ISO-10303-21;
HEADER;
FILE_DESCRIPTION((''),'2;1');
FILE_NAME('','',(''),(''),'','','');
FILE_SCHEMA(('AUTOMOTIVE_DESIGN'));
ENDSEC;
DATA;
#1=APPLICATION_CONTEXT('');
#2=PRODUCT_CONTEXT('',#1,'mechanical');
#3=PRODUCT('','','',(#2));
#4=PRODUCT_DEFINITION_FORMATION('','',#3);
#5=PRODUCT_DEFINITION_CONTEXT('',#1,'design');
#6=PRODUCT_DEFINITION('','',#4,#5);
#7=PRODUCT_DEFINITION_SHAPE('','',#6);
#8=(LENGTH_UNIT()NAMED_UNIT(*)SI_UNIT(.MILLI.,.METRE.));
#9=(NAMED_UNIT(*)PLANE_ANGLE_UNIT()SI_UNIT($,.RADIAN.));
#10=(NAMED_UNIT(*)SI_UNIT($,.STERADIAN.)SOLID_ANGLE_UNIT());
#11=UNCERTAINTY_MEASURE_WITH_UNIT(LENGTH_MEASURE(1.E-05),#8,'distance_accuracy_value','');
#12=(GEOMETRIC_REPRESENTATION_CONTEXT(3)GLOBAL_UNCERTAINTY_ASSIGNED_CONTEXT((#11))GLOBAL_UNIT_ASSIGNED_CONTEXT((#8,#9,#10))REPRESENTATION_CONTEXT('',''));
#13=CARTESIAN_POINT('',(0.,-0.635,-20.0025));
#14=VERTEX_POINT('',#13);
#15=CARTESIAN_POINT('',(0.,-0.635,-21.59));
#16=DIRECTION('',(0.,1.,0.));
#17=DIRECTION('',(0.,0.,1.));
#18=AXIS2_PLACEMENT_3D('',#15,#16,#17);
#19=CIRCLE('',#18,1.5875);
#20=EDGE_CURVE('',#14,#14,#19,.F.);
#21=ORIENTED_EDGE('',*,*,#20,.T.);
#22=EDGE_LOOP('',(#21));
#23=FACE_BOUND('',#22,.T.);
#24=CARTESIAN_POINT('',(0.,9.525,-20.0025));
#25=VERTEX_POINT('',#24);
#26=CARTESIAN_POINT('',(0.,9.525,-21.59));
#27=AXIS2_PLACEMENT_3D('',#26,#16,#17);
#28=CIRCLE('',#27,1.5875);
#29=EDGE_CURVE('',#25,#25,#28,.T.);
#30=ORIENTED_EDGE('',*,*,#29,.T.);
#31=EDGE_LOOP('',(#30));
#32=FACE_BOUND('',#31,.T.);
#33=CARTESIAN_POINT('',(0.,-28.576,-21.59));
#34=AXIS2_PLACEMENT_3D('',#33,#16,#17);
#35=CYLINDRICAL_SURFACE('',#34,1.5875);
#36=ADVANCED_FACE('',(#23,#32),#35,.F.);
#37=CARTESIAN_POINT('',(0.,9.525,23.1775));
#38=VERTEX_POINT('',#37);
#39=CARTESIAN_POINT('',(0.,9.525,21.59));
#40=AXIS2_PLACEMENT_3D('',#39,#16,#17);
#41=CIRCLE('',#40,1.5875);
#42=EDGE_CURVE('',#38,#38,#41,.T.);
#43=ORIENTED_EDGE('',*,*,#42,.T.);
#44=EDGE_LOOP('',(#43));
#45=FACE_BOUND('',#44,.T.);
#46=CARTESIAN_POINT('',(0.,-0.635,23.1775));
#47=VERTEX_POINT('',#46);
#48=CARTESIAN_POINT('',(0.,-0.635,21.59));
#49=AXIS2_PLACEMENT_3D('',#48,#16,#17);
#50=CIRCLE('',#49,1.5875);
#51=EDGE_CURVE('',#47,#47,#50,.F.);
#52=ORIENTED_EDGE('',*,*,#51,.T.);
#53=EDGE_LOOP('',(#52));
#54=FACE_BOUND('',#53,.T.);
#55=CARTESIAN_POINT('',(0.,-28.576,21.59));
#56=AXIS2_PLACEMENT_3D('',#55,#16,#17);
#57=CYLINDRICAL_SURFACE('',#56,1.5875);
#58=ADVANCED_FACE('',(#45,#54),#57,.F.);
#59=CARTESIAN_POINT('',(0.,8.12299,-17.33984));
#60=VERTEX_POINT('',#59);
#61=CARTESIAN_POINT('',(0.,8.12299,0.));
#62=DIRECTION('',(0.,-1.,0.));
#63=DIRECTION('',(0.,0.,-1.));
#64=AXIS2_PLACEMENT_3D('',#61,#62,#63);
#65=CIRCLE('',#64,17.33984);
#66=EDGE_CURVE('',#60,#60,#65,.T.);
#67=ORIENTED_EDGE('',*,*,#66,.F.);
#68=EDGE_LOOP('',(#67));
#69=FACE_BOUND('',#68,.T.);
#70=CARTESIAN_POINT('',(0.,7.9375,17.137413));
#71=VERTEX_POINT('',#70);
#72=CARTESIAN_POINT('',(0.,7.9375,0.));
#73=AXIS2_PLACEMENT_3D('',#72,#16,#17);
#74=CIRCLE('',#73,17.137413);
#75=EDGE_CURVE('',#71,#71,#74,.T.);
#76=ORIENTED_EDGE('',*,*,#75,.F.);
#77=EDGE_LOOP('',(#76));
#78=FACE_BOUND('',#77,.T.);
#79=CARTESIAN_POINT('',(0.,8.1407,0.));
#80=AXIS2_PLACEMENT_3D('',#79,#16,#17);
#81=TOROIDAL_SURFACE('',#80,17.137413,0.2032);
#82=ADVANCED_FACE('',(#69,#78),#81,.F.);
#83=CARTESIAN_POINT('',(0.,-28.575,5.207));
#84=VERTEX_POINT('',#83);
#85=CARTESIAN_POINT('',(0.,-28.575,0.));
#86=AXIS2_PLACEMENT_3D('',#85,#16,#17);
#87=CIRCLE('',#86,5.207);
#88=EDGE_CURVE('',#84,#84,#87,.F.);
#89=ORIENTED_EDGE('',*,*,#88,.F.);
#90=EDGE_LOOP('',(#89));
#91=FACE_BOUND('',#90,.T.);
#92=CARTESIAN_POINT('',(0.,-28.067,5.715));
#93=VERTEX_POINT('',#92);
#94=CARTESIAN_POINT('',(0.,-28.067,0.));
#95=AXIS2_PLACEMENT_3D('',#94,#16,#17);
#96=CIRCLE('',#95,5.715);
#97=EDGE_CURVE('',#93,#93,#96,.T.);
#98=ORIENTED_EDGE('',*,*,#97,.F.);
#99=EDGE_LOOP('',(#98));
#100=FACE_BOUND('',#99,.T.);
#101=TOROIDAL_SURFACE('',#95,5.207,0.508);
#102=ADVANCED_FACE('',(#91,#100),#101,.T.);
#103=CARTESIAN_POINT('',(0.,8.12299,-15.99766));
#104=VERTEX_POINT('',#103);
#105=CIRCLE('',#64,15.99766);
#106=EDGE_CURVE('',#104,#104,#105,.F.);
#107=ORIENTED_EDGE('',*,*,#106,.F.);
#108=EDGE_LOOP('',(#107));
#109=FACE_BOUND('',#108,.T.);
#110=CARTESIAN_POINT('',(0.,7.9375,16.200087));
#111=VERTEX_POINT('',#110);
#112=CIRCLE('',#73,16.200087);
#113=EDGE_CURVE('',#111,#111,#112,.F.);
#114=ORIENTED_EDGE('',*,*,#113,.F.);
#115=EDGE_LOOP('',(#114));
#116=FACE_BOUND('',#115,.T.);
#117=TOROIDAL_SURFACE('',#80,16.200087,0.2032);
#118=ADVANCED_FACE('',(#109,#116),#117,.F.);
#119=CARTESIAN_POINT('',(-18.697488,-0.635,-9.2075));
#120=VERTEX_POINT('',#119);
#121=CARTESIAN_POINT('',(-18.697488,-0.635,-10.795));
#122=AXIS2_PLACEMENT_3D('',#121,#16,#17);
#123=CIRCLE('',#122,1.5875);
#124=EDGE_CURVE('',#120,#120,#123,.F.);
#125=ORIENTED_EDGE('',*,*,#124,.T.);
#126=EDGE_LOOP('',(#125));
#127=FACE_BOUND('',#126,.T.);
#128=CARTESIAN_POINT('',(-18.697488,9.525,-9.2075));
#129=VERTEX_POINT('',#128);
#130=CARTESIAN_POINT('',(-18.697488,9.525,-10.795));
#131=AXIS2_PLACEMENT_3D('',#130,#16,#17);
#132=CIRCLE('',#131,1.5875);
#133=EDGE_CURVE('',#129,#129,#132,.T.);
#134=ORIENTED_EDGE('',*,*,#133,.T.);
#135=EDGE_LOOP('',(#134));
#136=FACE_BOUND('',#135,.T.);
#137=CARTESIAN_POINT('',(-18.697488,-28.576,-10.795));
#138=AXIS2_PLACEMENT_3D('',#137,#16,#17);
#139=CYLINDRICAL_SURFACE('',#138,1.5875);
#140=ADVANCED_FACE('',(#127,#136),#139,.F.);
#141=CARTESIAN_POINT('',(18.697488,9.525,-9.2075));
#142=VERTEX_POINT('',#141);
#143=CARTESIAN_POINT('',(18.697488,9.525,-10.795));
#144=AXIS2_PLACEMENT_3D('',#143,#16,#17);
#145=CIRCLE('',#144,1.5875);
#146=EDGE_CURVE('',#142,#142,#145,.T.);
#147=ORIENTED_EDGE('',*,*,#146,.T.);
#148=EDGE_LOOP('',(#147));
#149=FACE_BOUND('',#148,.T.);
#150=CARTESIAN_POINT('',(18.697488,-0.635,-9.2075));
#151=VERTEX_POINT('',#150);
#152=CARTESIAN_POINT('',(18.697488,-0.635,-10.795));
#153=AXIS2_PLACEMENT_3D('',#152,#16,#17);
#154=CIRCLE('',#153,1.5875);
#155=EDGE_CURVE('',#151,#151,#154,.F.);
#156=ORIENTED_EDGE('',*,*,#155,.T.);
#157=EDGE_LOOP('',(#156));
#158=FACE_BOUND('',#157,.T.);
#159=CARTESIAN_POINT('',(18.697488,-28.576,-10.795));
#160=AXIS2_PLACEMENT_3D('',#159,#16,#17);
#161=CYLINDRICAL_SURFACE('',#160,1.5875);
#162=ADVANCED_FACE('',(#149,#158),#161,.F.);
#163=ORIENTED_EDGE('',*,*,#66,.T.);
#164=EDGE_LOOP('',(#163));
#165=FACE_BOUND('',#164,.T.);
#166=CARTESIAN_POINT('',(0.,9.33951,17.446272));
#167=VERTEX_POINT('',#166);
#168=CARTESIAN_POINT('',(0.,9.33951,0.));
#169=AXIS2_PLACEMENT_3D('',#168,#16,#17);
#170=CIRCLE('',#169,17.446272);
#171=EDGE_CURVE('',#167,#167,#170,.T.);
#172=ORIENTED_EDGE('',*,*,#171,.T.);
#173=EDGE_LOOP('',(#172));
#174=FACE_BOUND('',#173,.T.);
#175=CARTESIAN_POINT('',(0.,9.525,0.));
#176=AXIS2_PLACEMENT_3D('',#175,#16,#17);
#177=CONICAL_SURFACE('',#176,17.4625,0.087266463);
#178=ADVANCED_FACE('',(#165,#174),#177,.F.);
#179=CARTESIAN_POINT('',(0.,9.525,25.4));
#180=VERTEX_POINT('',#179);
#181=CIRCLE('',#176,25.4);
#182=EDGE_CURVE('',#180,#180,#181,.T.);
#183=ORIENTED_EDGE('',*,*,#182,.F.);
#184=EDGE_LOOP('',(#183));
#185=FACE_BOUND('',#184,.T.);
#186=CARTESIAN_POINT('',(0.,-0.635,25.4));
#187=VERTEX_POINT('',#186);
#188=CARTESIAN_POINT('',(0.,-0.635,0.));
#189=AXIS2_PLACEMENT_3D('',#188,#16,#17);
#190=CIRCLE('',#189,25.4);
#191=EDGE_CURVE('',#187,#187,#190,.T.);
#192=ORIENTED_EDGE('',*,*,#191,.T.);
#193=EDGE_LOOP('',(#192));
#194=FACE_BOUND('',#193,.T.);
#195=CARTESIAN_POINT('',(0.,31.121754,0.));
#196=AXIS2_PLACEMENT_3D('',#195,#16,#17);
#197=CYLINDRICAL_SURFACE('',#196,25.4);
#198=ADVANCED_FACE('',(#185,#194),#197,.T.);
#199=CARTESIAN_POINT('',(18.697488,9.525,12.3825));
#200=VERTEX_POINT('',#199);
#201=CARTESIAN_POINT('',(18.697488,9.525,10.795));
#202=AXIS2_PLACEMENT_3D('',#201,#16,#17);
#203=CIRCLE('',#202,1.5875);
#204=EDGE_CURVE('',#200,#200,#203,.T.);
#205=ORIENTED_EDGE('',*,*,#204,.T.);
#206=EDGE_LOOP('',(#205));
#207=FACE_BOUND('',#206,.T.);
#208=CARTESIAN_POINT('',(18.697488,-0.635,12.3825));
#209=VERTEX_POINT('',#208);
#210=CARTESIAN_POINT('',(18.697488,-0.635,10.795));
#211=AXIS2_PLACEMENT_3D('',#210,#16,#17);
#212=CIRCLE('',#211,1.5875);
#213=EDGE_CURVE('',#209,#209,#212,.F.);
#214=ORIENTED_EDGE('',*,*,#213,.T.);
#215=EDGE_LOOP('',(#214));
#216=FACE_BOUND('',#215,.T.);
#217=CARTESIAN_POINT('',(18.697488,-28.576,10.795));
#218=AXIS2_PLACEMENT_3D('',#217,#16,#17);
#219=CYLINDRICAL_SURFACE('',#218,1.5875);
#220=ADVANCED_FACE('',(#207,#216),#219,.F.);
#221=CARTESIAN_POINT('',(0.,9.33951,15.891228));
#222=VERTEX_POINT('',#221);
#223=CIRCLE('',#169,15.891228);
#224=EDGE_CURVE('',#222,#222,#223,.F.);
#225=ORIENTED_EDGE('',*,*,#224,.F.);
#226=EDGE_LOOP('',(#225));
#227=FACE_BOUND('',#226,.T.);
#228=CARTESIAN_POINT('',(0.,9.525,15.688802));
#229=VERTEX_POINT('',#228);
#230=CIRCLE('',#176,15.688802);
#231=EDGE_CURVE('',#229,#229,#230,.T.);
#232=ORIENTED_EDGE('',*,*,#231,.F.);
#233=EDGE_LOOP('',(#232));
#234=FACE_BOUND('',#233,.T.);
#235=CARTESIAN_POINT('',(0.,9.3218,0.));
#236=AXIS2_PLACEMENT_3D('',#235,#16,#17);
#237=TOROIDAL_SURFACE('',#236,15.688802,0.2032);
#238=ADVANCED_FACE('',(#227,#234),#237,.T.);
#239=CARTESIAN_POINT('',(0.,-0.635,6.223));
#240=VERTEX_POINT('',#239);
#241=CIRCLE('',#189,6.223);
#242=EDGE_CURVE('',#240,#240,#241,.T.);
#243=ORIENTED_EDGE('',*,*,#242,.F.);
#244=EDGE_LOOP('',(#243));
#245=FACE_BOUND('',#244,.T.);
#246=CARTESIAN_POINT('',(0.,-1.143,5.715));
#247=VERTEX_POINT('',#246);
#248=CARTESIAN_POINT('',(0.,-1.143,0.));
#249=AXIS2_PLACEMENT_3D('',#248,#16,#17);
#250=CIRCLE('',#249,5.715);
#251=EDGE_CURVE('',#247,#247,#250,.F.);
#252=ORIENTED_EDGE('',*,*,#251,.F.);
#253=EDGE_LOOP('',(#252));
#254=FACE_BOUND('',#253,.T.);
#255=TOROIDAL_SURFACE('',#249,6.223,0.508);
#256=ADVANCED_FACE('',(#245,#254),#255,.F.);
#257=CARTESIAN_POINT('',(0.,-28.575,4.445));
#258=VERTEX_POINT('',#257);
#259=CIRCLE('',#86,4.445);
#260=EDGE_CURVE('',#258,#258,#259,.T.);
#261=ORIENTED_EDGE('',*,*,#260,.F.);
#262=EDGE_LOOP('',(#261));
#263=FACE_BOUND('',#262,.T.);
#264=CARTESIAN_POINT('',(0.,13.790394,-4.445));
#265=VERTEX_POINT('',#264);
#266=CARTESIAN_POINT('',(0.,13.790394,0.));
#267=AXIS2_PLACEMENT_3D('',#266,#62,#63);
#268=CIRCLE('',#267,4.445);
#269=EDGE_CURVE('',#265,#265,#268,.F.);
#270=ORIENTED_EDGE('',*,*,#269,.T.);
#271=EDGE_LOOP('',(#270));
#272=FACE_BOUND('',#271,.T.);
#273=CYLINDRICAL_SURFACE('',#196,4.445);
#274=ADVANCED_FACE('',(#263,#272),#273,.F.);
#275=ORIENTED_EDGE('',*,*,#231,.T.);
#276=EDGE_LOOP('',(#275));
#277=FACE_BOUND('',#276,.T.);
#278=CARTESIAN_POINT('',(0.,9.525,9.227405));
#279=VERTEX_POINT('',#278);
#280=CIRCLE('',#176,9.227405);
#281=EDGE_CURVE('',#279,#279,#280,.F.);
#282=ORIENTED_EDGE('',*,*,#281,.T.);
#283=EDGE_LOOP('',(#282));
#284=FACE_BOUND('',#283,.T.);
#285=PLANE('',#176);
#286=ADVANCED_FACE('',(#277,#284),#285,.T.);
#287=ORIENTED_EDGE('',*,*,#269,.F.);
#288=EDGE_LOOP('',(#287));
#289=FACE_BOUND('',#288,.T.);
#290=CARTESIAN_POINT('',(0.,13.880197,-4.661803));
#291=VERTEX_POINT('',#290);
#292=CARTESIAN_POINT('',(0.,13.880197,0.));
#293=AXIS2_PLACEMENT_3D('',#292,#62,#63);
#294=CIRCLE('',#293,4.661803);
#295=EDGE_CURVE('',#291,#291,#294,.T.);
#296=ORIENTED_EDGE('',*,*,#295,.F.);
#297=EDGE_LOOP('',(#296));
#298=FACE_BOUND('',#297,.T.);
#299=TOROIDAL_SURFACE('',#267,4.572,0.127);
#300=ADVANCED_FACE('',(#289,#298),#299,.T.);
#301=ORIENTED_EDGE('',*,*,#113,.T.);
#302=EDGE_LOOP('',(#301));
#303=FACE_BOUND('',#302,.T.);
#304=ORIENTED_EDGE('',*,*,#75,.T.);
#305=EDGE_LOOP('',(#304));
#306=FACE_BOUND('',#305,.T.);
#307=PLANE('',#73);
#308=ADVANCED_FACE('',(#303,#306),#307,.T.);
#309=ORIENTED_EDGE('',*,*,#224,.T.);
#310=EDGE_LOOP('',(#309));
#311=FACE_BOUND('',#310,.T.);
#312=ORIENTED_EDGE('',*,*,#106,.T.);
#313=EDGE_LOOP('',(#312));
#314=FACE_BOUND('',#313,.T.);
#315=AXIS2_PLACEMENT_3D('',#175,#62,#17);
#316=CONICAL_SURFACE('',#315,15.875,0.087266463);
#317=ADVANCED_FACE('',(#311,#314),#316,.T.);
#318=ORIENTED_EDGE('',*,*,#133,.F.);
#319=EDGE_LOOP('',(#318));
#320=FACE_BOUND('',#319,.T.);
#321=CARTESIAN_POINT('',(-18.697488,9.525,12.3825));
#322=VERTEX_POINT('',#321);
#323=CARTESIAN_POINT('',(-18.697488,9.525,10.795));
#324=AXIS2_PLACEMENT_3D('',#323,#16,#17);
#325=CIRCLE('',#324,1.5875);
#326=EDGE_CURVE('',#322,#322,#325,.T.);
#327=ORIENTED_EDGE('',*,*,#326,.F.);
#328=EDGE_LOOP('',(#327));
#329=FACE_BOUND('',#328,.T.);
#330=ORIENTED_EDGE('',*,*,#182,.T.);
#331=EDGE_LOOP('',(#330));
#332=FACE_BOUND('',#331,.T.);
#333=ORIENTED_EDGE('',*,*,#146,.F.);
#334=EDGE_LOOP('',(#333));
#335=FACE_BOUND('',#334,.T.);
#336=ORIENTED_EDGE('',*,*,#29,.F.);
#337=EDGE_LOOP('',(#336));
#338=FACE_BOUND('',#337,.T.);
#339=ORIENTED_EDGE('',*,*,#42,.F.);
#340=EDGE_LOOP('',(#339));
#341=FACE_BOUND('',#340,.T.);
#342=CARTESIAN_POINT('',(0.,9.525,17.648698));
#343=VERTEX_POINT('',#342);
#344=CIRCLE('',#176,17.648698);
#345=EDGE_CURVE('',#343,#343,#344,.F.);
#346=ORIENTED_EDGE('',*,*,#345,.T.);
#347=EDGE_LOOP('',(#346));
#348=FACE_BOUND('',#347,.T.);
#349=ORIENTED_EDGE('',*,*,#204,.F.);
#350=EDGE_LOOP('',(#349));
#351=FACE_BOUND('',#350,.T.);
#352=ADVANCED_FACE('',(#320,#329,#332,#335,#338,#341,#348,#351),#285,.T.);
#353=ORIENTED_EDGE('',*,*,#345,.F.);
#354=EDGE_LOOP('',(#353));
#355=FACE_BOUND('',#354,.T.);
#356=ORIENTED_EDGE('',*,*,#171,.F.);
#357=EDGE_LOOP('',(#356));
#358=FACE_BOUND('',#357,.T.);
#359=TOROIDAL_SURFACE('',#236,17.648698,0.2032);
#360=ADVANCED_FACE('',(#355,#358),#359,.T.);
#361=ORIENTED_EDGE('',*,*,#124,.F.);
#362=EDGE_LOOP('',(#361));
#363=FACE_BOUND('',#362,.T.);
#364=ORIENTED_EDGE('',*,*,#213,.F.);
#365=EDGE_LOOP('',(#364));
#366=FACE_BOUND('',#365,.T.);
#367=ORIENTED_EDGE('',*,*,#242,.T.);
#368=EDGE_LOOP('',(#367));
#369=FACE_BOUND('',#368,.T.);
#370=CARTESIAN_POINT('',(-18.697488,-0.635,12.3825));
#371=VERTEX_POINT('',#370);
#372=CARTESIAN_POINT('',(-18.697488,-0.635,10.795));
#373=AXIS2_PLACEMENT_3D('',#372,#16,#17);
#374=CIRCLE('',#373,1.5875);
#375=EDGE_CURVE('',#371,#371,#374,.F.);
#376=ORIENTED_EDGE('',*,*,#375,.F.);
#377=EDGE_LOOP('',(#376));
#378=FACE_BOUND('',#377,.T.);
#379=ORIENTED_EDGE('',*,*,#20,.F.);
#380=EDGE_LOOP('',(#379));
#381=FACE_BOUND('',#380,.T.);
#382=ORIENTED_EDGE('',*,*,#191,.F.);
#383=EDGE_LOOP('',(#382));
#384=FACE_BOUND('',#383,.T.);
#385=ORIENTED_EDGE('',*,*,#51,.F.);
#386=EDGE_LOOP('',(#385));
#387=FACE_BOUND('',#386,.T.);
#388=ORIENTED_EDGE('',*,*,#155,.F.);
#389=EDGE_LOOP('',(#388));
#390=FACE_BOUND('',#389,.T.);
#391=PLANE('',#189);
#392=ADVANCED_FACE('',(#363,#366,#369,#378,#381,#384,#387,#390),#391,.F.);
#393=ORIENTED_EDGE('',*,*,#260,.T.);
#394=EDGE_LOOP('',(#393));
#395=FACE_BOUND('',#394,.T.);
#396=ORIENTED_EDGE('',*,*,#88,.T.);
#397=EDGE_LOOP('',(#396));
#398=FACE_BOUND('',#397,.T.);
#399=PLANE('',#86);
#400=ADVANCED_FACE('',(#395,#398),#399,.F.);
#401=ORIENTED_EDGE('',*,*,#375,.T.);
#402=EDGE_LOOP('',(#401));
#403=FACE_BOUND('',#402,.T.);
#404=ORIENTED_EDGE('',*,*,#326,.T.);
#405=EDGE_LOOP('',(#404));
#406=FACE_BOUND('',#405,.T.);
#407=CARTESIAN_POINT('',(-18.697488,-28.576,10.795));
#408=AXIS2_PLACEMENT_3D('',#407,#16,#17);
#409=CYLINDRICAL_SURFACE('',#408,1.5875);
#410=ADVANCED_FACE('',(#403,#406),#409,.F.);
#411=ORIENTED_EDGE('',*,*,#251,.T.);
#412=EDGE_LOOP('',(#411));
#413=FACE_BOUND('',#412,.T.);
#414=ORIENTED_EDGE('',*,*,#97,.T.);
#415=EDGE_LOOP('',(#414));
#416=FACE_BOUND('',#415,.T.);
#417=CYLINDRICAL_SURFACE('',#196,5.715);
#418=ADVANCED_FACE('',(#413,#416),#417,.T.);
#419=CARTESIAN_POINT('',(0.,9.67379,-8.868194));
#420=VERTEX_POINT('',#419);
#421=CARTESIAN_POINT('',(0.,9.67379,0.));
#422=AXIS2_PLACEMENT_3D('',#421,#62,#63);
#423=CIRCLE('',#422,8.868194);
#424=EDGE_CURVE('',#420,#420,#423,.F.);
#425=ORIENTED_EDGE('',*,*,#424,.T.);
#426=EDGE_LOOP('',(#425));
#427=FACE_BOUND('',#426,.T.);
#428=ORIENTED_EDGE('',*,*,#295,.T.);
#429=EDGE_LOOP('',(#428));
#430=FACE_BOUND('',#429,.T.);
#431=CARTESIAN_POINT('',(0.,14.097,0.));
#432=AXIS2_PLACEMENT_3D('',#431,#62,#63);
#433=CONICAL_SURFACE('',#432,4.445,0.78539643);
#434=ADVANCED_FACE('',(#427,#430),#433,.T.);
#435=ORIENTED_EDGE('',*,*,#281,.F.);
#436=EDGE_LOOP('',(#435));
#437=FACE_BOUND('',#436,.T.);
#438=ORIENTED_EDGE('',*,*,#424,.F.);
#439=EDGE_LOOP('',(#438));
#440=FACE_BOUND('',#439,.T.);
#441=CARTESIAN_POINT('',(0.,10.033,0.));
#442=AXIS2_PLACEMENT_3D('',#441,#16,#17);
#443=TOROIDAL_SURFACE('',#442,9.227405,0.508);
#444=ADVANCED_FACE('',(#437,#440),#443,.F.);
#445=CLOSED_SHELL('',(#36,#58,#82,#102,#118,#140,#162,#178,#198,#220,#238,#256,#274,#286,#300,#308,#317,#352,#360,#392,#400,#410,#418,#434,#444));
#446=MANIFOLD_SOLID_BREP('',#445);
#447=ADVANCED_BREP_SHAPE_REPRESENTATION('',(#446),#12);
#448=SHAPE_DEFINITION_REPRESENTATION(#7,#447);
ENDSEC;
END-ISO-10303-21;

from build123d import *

# Parameters (mm, degrees)
SKETCH3_R          = 17.4625
SKETCH3_R_2        = 15.875
CUT_EXTRUDE1_DEPTH = 1.5875
CUT_EXTRUDE1_TAPER = 5
FILLET2_R          = 0.2032
CUT_EXTRUDE3_REACH = 40.1
SKETCH4_R          = 1.5875
FILLET3_R          = 0.508
FILLET4_R          = 0.127


with BuildPart() as part:
    # Sketch2 → Revolve1 (revolve)
    with BuildSketch(Plane.XY):
        Polygon((-25.4, -0.635), (-5.715, -0.635), (-5.715, -28.575), (-4.445, -28.575), (-4.445, 9.525), (-4.445, 14.097), (-9.016984151, 9.525), (-25.4, 9.525), align=None)
    revolve(axis=Axis((0, 31.121753961, 0), (0, -1, 0)))

    # Sketch3 → Cut-Extrude1 (cut)
    with BuildSketch(Plane(origin=(0, 9.525, 0), x_dir=(1, 0, 0), z_dir=(0, 1, 0))):
        Circle(SKETCH3_R)
        Circle(SKETCH3_R_2, mode=Mode.SUBTRACT)
    extrude(amount=-CUT_EXTRUDE1_DEPTH, taper=CUT_EXTRUDE1_TAPER, mode=Mode.SUBTRACT)

    # Fillet2
    fillet2_edges = [part.edges().sort_by_distance(p)[0] for p in [
        (-17.323611747, 7.9375, 0),
        (-16.013888253, 7.9375, 0),
        (-17.4625, 9.525, 0),
        (-15.875, 9.525, 0),
    ]]
    fillet(fillet2_edges, radius=FILLET2_R)

    # Sketch4 → Cut-Extrude3 (cut, up to next)
    with BuildSketch(Plane(origin=(0, 9.525, 0), x_dir=(1, 0, 0), z_dir=(0, 1, 0)), mode=Mode.PRIVATE) as cut_extrude3_sk1:
        with Locations((0, 21.59)):
            Circle(SKETCH4_R)
    cut_extrude3_tool1 = extrude(cut_extrude3_sk1.sketch, amount=-CUT_EXTRUDE3_REACH, mode=Mode.PRIVATE) & part.part
    add(cut_extrude3_tool1.solids().sort_by_distance((0, 9.525, -21.59))[0], mode=Mode.SUBTRACT)
    # Sketch4 → Cut-Extrude3 (cut, up to next)
    with BuildSketch(Plane(origin=(0, 9.525, 0), x_dir=(1, 0, 0), z_dir=(0, 1, 0)), mode=Mode.PRIVATE) as cut_extrude3_sk2:
        with Locations((18.697488468, 10.795)):
            Circle(SKETCH4_R)
    cut_extrude3_tool2 = extrude(cut_extrude3_sk2.sketch, amount=-CUT_EXTRUDE3_REACH, mode=Mode.PRIVATE) & part.part
    add(cut_extrude3_tool2.solids().sort_by_distance((18.697488, 9.525, -10.795))[0], mode=Mode.SUBTRACT)
    # Sketch4 → Cut-Extrude3 (cut, up to next)
    with BuildSketch(Plane(origin=(0, 9.525, 0), x_dir=(1, 0, 0), z_dir=(0, 1, 0)), mode=Mode.PRIVATE) as cut_extrude3_sk3:
        with Locations((18.697488468, -10.795)):
            Circle(SKETCH4_R)
    cut_extrude3_tool3 = extrude(cut_extrude3_sk3.sketch, amount=-CUT_EXTRUDE3_REACH, mode=Mode.PRIVATE) & part.part
    add(cut_extrude3_tool3.solids().sort_by_distance((18.697488, 9.525, 10.795))[0], mode=Mode.SUBTRACT)
    # Sketch4 → Cut-Extrude3 (cut, up to next)
    with BuildSketch(Plane(origin=(0, 9.525, 0), x_dir=(1, 0, 0), z_dir=(0, 1, 0)), mode=Mode.PRIVATE) as cut_extrude3_sk4:
        with Locations((0, -21.59)):
            Circle(SKETCH4_R)
    cut_extrude3_tool4 = extrude(cut_extrude3_sk4.sketch, amount=-CUT_EXTRUDE3_REACH, mode=Mode.PRIVATE) & part.part
    add(cut_extrude3_tool4.solids().sort_by_distance((0, 9.525, 21.59))[0], mode=Mode.SUBTRACT)
    # Sketch4 → Cut-Extrude3 (cut, up to next)
    with BuildSketch(Plane(origin=(0, 9.525, 0), x_dir=(1, 0, 0), z_dir=(0, 1, 0)), mode=Mode.PRIVATE) as cut_extrude3_sk5:
        with Locations((-18.697488468, -10.795)):
            Circle(SKETCH4_R)
    cut_extrude3_tool5 = extrude(cut_extrude3_sk5.sketch, amount=-CUT_EXTRUDE3_REACH, mode=Mode.PRIVATE) & part.part
    add(cut_extrude3_tool5.solids().sort_by_distance((-18.697488, 9.525, 10.795))[0], mode=Mode.SUBTRACT)
    # Sketch4 → Cut-Extrude3 (cut, up to next)
    with BuildSketch(Plane(origin=(0, 9.525, 0), x_dir=(1, 0, 0), z_dir=(0, 1, 0)), mode=Mode.PRIVATE) as cut_extrude3_sk6:
        with Locations((-18.697488468, 10.795)):
            Circle(SKETCH4_R)
    cut_extrude3_tool6 = extrude(cut_extrude3_sk6.sketch, amount=-CUT_EXTRUDE3_REACH, mode=Mode.PRIVATE) & part.part
    add(cut_extrude3_tool6.solids().sort_by_distance((-18.697488, 9.525, -10.795))[0], mode=Mode.SUBTRACT)

    # Fillet3
    fillet3_edges = [part.edges().sort_by_distance(p)[0] for p in [
        (5.715, -0.635, 0),
        (9.016984151, 9.525, 0),
        (5.715, -28.575, 0),
    ]]
    fillet(fillet3_edges, radius=FILLET3_R)

    # Fillet4
    fillet4_edges = [part.edges().sort_by_distance(p)[0] for p in [
        (4.445, 14.097, 0),
    ]]
    fillet(fillet4_edges, radius=FILLET4_R)


solid = part.part
